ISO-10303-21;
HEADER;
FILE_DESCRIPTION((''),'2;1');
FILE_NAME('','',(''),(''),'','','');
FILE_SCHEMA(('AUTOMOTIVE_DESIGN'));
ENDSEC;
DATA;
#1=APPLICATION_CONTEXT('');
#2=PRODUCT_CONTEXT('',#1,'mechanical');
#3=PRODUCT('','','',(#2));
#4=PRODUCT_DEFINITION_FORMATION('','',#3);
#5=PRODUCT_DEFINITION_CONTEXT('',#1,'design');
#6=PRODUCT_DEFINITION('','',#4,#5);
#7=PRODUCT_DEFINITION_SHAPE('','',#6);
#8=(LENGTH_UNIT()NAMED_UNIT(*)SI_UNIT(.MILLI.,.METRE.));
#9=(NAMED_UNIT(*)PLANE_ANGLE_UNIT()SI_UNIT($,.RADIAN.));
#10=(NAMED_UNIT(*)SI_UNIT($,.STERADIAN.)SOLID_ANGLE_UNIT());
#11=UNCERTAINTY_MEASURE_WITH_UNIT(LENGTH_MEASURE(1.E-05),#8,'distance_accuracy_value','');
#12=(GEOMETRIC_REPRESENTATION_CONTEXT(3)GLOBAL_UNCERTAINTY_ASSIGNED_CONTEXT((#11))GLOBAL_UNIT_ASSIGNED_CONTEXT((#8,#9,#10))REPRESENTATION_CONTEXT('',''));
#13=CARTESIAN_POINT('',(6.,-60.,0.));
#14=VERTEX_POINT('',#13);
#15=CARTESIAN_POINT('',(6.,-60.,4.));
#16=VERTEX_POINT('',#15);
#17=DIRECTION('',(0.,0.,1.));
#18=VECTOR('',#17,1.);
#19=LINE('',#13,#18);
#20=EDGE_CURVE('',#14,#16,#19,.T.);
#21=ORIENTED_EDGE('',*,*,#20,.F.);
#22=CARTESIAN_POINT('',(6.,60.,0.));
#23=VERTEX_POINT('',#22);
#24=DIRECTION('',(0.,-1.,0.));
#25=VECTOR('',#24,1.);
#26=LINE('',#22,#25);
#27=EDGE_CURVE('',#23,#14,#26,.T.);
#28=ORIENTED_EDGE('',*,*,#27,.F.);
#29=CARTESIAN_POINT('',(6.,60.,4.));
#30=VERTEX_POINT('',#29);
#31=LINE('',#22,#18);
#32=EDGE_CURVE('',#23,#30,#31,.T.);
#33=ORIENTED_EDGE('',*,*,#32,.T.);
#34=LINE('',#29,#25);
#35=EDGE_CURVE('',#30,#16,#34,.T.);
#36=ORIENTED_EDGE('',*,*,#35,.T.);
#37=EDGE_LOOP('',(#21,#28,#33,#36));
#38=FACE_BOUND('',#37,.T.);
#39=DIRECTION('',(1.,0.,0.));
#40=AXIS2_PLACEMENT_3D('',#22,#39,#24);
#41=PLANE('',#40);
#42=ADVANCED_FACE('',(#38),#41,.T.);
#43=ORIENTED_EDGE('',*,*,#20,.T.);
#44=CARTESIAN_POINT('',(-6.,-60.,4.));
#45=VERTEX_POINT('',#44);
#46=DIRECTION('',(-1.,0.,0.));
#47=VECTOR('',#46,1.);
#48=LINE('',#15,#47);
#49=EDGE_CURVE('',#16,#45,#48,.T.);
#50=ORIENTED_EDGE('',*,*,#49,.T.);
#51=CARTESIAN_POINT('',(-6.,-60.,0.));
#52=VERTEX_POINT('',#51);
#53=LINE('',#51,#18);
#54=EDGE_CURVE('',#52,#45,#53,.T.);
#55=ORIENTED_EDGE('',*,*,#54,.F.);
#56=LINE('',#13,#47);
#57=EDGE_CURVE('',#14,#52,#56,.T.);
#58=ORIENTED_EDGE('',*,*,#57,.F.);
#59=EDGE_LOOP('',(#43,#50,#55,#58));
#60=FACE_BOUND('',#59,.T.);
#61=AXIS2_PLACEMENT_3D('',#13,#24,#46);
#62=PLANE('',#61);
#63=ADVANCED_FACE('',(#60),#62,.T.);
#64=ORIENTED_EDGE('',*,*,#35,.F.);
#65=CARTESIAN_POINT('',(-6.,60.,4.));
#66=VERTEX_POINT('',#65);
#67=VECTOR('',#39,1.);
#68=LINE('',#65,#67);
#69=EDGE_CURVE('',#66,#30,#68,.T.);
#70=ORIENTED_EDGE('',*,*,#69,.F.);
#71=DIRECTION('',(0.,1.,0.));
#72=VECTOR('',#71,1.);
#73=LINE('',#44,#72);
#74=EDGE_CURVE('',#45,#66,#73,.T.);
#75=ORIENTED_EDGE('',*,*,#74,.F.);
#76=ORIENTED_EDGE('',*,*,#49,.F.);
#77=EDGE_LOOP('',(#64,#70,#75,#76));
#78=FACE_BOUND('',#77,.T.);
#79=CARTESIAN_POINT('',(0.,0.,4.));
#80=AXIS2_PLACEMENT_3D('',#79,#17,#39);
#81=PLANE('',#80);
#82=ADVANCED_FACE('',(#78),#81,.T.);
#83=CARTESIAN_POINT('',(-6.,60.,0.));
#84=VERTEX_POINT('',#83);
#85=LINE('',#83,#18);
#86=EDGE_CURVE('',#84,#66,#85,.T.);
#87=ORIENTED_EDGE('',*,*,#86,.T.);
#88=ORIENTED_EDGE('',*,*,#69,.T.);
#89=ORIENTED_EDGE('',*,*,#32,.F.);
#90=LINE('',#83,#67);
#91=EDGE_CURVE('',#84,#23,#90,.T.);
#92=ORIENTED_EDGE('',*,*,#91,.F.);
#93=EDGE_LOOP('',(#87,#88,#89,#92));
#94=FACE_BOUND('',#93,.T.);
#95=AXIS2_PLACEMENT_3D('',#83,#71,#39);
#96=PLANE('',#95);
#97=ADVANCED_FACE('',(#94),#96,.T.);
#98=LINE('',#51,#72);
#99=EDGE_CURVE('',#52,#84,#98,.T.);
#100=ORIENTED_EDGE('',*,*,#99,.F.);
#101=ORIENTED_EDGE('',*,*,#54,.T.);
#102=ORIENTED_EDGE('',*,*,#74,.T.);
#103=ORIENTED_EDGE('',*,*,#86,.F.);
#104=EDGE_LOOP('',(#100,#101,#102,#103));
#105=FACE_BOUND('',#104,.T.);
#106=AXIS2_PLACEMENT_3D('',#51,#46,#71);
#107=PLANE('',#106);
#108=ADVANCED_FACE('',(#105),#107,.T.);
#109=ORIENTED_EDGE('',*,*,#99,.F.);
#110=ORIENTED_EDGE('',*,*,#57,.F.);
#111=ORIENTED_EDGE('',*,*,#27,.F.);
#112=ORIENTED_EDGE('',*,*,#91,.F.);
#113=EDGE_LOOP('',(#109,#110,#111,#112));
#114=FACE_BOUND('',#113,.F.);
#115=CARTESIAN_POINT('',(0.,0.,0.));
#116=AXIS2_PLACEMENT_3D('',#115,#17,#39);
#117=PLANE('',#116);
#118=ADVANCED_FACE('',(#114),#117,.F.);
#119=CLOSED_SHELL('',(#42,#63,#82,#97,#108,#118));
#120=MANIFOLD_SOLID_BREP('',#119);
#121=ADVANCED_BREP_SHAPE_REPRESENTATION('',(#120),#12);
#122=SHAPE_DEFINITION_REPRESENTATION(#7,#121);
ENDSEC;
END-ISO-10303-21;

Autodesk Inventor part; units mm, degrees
ref_plane "YZ Plane" through (0, 0, 0) normal (1, 0, 0) x (0, 1, 0)
ref_plane "XZ Plane" through (0, 0, 0) normal (0, 1, 0) x (-1, 0, 0)
ref_plane "XY Plane" through (0, 0, 0) normal (0, 0, 1) x (1, 0, 0)
sketch "Sketch1" plane through (0, 0, 0) normal (0, 0, 1) x (1, 0, 0)
  line L0 (-6, 60) -> (6, 60)
  line L1 (6, 60) -> (6, -60)
  line L2 (6, -60) -> (-6, -60)
  line L3 (-6, -60) -> (-6, 60)
  point P0 (0, 0)
  point P1 (0, 60)
  point P2 (6, 0)
  dimension "d0" = 120
  dimension "d1" = 12
extrude "Extrusion1" add sketch "Sketch1" along normal blind 4
properties part number "Pieza Prueba"
